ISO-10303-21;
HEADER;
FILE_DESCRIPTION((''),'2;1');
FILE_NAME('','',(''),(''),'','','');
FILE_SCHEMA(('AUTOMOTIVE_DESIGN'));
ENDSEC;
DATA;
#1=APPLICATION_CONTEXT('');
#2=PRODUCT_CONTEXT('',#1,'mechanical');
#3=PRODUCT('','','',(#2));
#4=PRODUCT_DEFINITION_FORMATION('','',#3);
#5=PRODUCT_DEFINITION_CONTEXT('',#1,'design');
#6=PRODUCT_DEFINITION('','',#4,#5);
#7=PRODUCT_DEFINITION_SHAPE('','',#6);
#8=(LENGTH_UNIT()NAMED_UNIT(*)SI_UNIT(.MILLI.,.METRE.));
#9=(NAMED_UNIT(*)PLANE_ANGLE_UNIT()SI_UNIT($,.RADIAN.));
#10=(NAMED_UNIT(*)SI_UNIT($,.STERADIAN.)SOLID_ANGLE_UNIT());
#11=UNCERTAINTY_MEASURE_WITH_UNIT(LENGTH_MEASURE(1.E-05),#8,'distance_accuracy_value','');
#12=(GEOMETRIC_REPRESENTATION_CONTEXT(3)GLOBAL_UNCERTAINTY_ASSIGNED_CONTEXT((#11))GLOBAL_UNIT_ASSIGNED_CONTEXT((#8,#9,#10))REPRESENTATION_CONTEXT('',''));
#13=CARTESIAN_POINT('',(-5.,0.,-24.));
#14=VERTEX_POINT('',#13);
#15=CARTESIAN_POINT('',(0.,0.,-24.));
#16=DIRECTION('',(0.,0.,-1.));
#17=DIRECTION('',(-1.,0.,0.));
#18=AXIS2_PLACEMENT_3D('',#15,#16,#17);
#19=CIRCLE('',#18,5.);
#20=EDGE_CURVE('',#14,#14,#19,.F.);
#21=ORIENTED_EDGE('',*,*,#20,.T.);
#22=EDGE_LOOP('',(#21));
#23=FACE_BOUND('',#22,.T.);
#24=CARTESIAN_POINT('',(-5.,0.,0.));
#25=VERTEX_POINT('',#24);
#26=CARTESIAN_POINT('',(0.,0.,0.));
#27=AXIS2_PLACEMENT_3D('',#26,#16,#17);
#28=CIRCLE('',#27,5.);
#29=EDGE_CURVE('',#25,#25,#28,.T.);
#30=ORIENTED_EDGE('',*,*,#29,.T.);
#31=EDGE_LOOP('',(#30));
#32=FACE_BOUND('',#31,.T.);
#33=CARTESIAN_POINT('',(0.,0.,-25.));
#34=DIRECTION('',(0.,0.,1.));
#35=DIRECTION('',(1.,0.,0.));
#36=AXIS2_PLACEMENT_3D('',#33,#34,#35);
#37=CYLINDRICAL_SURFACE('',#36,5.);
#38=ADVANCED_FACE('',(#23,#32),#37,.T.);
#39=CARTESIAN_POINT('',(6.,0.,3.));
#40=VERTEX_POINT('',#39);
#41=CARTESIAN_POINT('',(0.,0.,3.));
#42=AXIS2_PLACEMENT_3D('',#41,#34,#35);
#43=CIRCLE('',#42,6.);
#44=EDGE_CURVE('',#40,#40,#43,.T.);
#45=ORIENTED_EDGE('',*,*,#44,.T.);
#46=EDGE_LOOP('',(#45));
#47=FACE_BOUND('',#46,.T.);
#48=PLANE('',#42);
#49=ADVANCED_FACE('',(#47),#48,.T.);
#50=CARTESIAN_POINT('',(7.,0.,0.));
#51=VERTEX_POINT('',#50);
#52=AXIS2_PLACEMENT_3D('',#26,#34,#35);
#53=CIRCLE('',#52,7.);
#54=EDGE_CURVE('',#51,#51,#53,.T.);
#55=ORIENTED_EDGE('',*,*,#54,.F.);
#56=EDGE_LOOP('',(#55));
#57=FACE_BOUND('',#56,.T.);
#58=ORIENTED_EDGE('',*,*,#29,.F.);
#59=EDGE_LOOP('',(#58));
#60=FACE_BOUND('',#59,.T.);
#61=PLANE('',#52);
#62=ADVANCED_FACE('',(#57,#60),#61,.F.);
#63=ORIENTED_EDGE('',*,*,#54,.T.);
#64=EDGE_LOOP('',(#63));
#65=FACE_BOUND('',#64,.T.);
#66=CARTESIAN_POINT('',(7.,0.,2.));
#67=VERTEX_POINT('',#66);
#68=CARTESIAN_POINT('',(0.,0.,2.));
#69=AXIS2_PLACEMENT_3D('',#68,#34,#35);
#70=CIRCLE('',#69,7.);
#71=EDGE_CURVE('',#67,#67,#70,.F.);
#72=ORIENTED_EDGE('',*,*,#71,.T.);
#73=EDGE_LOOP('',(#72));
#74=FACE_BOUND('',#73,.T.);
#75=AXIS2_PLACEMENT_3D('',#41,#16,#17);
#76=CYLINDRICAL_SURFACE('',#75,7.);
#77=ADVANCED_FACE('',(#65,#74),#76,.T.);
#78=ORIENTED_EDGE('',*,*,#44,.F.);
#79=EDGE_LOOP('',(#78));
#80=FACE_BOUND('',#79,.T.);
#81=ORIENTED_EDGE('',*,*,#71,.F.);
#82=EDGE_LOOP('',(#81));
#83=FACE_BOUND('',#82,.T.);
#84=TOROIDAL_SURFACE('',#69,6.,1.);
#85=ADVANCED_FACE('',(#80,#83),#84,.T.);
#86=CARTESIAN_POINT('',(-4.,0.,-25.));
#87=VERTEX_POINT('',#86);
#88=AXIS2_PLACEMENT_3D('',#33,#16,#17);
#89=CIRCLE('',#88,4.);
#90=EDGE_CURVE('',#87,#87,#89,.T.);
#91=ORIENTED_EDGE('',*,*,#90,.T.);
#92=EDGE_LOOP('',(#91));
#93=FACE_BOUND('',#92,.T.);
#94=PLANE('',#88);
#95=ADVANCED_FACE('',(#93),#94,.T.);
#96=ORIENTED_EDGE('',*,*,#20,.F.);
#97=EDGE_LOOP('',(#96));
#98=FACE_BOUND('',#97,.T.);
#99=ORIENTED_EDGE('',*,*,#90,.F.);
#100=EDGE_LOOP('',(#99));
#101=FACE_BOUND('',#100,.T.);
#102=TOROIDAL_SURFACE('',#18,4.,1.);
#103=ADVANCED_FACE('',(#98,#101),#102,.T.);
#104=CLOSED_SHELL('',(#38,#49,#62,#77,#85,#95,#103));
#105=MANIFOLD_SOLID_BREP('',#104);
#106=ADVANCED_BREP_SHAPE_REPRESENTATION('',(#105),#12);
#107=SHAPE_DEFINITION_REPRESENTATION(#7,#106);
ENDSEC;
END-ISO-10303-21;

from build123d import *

# Parameters (mm, degrees)
SKICA1_R                = 7
P_IDAT_VYSUNUT_M1_DEPTH = 3
SKICA2_R                = 5
P_IDAT_VYSUNUT_M2_DEPTH = 25
ZAOBLIT1_R              = 1


with BuildPart() as part:
    # Skica1 → Přidat vysunutím1 (new body)
    with BuildSketch(Plane.XY):
        Circle(SKICA1_R)
    extrude(amount=P_IDAT_VYSUNUT_M1_DEPTH)

    # Skica2 → Přidat vysunutím2 (add)
    with BuildSketch(Plane(origin=(0, 0, 0), x_dir=(-1, 0, 0), z_dir=(0, 0, -1))):
        Circle(SKICA2_R)
    extrude(amount=P_IDAT_VYSUNUT_M2_DEPTH)

    # Zaoblit1
    zaoblit1_edges = [part.edges().sort_by_distance(p)[0] for p in [
        (-7, 0, 3),
        (5, 0, -25),
    ]]
    fillet(zaoblit1_edges, radius=ZAOBLIT1_R)


solid = part.part
